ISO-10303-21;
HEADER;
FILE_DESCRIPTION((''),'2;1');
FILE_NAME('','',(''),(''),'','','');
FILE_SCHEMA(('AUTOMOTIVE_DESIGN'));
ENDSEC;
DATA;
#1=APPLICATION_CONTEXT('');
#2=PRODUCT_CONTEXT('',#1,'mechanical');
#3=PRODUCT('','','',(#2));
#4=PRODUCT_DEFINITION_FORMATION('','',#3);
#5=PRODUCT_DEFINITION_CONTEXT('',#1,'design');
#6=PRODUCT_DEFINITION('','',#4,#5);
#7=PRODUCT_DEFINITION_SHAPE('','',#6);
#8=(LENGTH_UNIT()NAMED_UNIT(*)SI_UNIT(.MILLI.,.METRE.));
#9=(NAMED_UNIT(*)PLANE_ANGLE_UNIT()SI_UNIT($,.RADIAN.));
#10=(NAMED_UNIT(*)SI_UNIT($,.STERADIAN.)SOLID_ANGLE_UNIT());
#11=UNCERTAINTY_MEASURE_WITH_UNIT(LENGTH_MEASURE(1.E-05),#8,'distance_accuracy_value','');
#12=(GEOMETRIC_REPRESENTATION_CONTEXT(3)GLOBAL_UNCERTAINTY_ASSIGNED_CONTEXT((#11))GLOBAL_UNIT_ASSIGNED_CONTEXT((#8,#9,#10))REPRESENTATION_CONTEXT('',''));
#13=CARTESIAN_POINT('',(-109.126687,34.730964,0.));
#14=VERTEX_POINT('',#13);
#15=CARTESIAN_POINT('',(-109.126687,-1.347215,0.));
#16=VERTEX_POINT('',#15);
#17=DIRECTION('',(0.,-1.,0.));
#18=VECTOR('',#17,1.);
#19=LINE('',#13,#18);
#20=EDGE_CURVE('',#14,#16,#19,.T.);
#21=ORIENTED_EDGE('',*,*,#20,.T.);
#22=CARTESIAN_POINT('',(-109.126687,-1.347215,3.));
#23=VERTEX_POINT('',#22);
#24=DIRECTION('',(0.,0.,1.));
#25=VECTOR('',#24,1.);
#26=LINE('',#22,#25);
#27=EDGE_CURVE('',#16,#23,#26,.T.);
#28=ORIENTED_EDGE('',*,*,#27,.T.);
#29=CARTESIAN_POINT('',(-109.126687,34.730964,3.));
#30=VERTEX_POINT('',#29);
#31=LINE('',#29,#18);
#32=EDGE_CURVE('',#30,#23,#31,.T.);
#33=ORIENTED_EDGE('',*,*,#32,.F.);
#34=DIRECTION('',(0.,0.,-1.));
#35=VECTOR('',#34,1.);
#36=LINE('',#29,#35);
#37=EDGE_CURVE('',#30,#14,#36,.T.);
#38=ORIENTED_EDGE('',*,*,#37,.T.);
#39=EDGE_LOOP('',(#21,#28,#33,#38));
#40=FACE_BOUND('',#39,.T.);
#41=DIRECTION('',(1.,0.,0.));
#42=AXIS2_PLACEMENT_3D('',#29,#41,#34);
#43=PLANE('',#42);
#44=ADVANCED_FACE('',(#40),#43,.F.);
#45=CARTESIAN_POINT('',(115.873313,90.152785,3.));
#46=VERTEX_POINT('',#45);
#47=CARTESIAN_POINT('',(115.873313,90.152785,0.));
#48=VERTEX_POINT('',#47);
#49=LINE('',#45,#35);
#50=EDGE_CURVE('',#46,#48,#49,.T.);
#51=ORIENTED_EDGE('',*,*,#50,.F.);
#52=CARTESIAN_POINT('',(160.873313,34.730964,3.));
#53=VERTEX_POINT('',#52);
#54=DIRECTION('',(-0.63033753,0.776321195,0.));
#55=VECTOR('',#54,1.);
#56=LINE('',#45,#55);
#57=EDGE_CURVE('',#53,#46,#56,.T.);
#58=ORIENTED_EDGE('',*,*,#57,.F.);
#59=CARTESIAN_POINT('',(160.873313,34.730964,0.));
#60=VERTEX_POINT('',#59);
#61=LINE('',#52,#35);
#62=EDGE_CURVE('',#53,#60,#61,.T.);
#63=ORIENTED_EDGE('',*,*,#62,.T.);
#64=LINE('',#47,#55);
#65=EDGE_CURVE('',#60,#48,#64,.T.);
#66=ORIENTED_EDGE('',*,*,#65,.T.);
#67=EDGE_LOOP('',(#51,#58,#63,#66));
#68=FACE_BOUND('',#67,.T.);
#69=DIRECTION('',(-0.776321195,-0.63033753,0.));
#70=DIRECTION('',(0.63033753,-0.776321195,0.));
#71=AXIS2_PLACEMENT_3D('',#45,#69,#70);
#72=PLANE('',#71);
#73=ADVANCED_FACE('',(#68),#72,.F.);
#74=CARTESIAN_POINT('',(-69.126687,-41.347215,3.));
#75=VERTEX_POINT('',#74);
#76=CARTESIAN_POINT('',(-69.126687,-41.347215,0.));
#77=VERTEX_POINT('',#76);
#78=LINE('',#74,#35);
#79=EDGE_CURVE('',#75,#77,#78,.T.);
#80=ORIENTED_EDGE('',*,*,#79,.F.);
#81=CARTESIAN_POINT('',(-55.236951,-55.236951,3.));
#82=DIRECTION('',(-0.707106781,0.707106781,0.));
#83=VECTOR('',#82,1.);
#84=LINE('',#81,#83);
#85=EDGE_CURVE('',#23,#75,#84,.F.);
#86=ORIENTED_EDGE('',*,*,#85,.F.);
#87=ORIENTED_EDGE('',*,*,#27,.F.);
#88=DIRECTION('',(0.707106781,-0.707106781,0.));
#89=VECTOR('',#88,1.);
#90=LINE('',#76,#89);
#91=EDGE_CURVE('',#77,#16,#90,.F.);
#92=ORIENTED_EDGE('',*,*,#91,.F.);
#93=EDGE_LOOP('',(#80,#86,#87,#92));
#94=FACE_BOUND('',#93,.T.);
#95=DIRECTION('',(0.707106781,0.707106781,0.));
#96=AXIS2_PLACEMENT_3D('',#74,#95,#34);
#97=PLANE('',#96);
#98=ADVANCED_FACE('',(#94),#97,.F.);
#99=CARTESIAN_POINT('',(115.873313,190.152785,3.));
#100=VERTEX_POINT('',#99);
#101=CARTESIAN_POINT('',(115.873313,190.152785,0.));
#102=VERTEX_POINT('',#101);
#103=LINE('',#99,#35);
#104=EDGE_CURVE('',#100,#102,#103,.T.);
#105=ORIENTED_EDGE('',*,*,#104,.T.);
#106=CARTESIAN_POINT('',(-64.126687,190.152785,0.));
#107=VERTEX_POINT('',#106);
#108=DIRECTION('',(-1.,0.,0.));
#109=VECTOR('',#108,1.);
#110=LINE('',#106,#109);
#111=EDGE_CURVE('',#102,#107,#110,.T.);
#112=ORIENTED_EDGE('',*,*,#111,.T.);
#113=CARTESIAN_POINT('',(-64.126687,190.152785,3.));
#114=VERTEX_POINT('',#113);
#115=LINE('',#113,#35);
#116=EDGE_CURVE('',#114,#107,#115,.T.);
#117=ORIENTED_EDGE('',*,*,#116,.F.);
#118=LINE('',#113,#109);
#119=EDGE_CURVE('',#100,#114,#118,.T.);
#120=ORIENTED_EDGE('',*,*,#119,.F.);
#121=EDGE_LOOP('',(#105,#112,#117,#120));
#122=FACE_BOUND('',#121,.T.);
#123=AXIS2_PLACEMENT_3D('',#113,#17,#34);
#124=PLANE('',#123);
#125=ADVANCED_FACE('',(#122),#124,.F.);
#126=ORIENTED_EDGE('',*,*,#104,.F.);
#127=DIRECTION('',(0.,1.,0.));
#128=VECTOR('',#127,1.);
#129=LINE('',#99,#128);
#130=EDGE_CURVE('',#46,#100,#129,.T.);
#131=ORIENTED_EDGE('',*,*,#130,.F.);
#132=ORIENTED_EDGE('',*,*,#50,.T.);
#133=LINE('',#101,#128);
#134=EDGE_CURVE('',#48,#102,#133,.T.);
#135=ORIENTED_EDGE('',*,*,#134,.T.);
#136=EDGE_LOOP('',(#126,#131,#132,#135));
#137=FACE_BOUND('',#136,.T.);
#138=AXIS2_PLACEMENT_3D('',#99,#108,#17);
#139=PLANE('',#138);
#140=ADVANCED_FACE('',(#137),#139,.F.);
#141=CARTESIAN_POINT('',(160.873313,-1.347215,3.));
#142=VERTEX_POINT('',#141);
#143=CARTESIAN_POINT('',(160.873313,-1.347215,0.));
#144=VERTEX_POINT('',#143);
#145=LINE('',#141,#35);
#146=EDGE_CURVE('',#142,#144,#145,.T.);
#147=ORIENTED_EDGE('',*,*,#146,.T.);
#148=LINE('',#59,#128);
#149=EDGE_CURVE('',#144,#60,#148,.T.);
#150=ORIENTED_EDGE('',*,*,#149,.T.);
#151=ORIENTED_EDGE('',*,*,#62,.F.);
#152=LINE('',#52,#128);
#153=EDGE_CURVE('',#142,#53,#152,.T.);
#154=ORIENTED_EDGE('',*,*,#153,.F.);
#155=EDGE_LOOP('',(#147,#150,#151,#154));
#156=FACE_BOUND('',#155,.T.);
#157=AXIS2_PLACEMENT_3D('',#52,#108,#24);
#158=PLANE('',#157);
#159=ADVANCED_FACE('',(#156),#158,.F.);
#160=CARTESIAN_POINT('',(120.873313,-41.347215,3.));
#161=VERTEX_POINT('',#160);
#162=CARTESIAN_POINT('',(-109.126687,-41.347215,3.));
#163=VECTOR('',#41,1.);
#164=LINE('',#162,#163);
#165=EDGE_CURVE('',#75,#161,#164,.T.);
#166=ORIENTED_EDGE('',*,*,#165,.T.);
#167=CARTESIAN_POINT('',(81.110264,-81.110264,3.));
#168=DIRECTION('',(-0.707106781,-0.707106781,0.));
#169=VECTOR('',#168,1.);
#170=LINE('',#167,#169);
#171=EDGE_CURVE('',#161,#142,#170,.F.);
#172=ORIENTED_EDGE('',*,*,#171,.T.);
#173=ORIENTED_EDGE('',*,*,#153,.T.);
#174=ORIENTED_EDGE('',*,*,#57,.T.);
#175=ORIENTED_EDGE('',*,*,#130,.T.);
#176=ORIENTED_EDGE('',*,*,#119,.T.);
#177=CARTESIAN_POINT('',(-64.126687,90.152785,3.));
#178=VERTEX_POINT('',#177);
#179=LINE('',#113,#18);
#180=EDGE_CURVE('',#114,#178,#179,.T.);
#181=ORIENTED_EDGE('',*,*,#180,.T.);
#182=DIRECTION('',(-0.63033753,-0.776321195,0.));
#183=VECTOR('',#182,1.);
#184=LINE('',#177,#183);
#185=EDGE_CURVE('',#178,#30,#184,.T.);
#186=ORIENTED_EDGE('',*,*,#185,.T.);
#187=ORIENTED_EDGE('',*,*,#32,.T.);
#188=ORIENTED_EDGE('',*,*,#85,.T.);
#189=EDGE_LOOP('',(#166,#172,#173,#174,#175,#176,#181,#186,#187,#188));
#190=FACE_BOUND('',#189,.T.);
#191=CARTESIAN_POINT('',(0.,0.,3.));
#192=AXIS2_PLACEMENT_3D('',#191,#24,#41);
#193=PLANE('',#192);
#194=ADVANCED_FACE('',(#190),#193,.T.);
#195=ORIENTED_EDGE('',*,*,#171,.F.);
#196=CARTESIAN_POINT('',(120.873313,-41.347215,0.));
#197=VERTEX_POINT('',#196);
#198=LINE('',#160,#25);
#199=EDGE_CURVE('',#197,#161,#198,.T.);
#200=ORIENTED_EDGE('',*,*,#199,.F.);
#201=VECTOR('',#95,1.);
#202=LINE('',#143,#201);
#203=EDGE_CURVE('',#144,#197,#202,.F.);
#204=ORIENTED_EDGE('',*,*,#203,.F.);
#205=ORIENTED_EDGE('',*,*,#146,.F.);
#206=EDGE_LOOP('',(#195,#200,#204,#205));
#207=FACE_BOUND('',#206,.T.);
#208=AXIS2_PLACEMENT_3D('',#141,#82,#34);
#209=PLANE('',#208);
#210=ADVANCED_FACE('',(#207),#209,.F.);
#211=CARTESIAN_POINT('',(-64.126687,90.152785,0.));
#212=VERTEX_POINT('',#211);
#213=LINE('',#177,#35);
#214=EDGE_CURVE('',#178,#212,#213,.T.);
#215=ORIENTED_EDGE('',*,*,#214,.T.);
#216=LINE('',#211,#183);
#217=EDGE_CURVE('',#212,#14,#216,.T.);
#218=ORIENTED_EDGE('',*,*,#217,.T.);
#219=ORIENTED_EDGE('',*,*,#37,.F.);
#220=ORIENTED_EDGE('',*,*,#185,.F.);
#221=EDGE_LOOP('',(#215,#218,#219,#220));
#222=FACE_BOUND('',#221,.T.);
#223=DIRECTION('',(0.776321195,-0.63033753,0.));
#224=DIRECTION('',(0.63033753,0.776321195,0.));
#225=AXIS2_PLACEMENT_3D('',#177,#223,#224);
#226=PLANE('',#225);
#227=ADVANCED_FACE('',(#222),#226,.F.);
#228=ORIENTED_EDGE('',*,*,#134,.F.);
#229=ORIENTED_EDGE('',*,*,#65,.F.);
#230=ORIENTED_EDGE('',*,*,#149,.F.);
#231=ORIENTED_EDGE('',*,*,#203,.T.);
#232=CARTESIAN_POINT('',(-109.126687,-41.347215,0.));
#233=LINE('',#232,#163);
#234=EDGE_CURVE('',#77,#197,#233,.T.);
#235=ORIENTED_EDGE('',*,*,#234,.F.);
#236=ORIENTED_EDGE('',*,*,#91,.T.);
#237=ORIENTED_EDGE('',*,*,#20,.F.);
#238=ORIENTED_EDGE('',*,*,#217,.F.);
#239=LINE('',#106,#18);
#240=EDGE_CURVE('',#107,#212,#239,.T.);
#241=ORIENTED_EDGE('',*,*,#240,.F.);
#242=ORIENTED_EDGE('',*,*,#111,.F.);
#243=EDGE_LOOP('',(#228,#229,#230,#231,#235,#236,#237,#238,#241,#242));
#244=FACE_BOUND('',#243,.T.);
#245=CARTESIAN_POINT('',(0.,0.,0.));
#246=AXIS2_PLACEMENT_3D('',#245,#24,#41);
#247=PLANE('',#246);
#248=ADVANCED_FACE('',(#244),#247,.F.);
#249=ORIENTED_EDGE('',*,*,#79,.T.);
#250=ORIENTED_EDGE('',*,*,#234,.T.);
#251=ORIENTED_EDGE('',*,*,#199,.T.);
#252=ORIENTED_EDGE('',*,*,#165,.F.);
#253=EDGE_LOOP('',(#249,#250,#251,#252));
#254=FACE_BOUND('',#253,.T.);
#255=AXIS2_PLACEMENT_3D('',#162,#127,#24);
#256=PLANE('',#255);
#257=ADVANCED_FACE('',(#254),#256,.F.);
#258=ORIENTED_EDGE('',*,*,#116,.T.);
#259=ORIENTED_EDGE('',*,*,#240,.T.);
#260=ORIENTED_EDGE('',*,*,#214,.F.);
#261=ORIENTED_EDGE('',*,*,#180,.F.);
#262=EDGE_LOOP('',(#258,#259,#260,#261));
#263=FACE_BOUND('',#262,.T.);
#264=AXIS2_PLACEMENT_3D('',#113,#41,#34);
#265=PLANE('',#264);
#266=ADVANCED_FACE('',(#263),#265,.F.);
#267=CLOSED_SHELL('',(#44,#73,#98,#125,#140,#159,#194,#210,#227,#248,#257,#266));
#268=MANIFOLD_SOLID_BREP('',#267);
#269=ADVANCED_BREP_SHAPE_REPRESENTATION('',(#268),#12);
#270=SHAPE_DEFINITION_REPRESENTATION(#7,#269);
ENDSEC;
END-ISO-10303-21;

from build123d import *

# Parameters (mm, degrees)
BOSS_EXTRU_1_DEPTH = 3
CHANFREIN1_SIZE    = 40


with BuildPart() as part:
    # Esquisse1 → Boss.-Extru.1 (new body)
    with BuildSketch(Plane.XY):
        Polygon((115.873312648, 190.152785154), (115.873312648, 90.152785154), (160.873312648, 34.730964145), (160.873312648, -41.347214846), (-109.126687352, -41.347214846), (-109.126687352, 34.730964145), (-64.126687352, 90.152785154), (-64.126687352, 190.152785154), align=None)
    extrude(amount=BOSS_EXTRU_1_DEPTH)

    # Chanfrein1
    chanfrein1_edges = [part.edges().sort_by_distance(p)[0] for p in [
        (160.873312648, -41.347214846, 1.5),
        (-109.126687352, -41.347214846, 1.5),
    ]]
    chamfer(chanfrein1_edges, length=CHANFREIN1_SIZE)


solid = part.part
